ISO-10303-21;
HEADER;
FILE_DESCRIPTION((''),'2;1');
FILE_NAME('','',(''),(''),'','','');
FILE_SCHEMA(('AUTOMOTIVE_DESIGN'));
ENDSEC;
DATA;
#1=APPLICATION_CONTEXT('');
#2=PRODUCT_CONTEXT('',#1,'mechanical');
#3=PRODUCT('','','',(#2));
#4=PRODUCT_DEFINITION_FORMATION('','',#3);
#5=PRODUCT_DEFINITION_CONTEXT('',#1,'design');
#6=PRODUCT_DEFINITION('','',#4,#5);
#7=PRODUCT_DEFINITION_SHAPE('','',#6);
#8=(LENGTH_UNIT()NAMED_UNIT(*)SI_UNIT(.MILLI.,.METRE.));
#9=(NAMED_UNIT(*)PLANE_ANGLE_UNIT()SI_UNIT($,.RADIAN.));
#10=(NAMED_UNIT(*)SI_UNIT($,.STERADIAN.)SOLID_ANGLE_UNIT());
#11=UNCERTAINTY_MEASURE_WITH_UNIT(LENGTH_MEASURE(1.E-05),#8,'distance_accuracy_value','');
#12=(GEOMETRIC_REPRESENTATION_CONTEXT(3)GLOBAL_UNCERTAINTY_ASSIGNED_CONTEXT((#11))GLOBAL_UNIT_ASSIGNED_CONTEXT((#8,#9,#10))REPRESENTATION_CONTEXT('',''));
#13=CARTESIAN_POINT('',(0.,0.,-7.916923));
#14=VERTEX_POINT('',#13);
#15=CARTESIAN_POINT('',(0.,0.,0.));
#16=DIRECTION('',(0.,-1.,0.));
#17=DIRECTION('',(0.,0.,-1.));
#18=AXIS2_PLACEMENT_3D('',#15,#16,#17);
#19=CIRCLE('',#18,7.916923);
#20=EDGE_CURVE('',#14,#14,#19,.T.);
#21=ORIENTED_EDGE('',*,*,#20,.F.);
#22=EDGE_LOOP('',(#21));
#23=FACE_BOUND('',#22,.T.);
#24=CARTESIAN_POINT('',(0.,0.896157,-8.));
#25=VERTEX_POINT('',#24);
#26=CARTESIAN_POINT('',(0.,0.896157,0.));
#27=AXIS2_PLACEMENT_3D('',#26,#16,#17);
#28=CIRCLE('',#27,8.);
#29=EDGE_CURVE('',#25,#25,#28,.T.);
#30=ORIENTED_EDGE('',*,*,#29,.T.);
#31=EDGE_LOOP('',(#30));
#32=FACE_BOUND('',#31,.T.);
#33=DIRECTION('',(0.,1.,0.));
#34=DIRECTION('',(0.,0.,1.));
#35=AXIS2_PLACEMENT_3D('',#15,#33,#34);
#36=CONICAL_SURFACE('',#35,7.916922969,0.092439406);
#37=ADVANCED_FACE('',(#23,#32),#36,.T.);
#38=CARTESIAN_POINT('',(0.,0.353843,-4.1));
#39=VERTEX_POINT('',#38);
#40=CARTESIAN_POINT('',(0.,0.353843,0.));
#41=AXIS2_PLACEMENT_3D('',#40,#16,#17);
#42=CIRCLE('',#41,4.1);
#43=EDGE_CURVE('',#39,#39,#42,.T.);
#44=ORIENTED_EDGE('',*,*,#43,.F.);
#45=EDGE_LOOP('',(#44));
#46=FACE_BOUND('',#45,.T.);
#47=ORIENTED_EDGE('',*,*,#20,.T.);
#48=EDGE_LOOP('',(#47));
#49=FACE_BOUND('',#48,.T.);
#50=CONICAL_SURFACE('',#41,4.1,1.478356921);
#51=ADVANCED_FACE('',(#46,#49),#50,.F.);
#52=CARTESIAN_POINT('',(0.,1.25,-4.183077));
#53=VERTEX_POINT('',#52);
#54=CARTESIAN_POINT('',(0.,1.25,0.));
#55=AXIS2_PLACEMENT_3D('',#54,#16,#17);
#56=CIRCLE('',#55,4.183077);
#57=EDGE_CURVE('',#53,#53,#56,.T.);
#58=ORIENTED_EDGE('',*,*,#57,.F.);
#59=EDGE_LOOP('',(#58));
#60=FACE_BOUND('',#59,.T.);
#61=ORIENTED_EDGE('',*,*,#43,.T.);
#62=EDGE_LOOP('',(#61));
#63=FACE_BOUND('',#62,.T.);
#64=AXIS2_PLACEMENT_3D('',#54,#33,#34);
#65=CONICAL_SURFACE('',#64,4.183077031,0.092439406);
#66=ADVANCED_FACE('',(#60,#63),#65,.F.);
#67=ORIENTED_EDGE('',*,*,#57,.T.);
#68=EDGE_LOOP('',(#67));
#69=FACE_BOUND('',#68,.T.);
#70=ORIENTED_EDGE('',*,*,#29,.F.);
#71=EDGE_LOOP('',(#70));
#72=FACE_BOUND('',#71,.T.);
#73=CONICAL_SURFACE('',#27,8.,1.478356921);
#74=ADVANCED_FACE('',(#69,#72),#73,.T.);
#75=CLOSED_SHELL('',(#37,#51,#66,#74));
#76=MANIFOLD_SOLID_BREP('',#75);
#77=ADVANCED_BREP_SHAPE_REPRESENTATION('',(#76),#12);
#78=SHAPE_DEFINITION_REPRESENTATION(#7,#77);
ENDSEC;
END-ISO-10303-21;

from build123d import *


with BuildPart() as part:
    # Sketch1 → Revolve1 (revolve)
    with BuildSketch(Plane.XY):
        Polygon((7.916922969, 0), (4.1, 0.353842532), (4.183077031, 1.25), (8, 0.896157468), align=None)
    revolve(axis=Axis((0, 0, 0), (0, 1, 0)))


solid = part.part
